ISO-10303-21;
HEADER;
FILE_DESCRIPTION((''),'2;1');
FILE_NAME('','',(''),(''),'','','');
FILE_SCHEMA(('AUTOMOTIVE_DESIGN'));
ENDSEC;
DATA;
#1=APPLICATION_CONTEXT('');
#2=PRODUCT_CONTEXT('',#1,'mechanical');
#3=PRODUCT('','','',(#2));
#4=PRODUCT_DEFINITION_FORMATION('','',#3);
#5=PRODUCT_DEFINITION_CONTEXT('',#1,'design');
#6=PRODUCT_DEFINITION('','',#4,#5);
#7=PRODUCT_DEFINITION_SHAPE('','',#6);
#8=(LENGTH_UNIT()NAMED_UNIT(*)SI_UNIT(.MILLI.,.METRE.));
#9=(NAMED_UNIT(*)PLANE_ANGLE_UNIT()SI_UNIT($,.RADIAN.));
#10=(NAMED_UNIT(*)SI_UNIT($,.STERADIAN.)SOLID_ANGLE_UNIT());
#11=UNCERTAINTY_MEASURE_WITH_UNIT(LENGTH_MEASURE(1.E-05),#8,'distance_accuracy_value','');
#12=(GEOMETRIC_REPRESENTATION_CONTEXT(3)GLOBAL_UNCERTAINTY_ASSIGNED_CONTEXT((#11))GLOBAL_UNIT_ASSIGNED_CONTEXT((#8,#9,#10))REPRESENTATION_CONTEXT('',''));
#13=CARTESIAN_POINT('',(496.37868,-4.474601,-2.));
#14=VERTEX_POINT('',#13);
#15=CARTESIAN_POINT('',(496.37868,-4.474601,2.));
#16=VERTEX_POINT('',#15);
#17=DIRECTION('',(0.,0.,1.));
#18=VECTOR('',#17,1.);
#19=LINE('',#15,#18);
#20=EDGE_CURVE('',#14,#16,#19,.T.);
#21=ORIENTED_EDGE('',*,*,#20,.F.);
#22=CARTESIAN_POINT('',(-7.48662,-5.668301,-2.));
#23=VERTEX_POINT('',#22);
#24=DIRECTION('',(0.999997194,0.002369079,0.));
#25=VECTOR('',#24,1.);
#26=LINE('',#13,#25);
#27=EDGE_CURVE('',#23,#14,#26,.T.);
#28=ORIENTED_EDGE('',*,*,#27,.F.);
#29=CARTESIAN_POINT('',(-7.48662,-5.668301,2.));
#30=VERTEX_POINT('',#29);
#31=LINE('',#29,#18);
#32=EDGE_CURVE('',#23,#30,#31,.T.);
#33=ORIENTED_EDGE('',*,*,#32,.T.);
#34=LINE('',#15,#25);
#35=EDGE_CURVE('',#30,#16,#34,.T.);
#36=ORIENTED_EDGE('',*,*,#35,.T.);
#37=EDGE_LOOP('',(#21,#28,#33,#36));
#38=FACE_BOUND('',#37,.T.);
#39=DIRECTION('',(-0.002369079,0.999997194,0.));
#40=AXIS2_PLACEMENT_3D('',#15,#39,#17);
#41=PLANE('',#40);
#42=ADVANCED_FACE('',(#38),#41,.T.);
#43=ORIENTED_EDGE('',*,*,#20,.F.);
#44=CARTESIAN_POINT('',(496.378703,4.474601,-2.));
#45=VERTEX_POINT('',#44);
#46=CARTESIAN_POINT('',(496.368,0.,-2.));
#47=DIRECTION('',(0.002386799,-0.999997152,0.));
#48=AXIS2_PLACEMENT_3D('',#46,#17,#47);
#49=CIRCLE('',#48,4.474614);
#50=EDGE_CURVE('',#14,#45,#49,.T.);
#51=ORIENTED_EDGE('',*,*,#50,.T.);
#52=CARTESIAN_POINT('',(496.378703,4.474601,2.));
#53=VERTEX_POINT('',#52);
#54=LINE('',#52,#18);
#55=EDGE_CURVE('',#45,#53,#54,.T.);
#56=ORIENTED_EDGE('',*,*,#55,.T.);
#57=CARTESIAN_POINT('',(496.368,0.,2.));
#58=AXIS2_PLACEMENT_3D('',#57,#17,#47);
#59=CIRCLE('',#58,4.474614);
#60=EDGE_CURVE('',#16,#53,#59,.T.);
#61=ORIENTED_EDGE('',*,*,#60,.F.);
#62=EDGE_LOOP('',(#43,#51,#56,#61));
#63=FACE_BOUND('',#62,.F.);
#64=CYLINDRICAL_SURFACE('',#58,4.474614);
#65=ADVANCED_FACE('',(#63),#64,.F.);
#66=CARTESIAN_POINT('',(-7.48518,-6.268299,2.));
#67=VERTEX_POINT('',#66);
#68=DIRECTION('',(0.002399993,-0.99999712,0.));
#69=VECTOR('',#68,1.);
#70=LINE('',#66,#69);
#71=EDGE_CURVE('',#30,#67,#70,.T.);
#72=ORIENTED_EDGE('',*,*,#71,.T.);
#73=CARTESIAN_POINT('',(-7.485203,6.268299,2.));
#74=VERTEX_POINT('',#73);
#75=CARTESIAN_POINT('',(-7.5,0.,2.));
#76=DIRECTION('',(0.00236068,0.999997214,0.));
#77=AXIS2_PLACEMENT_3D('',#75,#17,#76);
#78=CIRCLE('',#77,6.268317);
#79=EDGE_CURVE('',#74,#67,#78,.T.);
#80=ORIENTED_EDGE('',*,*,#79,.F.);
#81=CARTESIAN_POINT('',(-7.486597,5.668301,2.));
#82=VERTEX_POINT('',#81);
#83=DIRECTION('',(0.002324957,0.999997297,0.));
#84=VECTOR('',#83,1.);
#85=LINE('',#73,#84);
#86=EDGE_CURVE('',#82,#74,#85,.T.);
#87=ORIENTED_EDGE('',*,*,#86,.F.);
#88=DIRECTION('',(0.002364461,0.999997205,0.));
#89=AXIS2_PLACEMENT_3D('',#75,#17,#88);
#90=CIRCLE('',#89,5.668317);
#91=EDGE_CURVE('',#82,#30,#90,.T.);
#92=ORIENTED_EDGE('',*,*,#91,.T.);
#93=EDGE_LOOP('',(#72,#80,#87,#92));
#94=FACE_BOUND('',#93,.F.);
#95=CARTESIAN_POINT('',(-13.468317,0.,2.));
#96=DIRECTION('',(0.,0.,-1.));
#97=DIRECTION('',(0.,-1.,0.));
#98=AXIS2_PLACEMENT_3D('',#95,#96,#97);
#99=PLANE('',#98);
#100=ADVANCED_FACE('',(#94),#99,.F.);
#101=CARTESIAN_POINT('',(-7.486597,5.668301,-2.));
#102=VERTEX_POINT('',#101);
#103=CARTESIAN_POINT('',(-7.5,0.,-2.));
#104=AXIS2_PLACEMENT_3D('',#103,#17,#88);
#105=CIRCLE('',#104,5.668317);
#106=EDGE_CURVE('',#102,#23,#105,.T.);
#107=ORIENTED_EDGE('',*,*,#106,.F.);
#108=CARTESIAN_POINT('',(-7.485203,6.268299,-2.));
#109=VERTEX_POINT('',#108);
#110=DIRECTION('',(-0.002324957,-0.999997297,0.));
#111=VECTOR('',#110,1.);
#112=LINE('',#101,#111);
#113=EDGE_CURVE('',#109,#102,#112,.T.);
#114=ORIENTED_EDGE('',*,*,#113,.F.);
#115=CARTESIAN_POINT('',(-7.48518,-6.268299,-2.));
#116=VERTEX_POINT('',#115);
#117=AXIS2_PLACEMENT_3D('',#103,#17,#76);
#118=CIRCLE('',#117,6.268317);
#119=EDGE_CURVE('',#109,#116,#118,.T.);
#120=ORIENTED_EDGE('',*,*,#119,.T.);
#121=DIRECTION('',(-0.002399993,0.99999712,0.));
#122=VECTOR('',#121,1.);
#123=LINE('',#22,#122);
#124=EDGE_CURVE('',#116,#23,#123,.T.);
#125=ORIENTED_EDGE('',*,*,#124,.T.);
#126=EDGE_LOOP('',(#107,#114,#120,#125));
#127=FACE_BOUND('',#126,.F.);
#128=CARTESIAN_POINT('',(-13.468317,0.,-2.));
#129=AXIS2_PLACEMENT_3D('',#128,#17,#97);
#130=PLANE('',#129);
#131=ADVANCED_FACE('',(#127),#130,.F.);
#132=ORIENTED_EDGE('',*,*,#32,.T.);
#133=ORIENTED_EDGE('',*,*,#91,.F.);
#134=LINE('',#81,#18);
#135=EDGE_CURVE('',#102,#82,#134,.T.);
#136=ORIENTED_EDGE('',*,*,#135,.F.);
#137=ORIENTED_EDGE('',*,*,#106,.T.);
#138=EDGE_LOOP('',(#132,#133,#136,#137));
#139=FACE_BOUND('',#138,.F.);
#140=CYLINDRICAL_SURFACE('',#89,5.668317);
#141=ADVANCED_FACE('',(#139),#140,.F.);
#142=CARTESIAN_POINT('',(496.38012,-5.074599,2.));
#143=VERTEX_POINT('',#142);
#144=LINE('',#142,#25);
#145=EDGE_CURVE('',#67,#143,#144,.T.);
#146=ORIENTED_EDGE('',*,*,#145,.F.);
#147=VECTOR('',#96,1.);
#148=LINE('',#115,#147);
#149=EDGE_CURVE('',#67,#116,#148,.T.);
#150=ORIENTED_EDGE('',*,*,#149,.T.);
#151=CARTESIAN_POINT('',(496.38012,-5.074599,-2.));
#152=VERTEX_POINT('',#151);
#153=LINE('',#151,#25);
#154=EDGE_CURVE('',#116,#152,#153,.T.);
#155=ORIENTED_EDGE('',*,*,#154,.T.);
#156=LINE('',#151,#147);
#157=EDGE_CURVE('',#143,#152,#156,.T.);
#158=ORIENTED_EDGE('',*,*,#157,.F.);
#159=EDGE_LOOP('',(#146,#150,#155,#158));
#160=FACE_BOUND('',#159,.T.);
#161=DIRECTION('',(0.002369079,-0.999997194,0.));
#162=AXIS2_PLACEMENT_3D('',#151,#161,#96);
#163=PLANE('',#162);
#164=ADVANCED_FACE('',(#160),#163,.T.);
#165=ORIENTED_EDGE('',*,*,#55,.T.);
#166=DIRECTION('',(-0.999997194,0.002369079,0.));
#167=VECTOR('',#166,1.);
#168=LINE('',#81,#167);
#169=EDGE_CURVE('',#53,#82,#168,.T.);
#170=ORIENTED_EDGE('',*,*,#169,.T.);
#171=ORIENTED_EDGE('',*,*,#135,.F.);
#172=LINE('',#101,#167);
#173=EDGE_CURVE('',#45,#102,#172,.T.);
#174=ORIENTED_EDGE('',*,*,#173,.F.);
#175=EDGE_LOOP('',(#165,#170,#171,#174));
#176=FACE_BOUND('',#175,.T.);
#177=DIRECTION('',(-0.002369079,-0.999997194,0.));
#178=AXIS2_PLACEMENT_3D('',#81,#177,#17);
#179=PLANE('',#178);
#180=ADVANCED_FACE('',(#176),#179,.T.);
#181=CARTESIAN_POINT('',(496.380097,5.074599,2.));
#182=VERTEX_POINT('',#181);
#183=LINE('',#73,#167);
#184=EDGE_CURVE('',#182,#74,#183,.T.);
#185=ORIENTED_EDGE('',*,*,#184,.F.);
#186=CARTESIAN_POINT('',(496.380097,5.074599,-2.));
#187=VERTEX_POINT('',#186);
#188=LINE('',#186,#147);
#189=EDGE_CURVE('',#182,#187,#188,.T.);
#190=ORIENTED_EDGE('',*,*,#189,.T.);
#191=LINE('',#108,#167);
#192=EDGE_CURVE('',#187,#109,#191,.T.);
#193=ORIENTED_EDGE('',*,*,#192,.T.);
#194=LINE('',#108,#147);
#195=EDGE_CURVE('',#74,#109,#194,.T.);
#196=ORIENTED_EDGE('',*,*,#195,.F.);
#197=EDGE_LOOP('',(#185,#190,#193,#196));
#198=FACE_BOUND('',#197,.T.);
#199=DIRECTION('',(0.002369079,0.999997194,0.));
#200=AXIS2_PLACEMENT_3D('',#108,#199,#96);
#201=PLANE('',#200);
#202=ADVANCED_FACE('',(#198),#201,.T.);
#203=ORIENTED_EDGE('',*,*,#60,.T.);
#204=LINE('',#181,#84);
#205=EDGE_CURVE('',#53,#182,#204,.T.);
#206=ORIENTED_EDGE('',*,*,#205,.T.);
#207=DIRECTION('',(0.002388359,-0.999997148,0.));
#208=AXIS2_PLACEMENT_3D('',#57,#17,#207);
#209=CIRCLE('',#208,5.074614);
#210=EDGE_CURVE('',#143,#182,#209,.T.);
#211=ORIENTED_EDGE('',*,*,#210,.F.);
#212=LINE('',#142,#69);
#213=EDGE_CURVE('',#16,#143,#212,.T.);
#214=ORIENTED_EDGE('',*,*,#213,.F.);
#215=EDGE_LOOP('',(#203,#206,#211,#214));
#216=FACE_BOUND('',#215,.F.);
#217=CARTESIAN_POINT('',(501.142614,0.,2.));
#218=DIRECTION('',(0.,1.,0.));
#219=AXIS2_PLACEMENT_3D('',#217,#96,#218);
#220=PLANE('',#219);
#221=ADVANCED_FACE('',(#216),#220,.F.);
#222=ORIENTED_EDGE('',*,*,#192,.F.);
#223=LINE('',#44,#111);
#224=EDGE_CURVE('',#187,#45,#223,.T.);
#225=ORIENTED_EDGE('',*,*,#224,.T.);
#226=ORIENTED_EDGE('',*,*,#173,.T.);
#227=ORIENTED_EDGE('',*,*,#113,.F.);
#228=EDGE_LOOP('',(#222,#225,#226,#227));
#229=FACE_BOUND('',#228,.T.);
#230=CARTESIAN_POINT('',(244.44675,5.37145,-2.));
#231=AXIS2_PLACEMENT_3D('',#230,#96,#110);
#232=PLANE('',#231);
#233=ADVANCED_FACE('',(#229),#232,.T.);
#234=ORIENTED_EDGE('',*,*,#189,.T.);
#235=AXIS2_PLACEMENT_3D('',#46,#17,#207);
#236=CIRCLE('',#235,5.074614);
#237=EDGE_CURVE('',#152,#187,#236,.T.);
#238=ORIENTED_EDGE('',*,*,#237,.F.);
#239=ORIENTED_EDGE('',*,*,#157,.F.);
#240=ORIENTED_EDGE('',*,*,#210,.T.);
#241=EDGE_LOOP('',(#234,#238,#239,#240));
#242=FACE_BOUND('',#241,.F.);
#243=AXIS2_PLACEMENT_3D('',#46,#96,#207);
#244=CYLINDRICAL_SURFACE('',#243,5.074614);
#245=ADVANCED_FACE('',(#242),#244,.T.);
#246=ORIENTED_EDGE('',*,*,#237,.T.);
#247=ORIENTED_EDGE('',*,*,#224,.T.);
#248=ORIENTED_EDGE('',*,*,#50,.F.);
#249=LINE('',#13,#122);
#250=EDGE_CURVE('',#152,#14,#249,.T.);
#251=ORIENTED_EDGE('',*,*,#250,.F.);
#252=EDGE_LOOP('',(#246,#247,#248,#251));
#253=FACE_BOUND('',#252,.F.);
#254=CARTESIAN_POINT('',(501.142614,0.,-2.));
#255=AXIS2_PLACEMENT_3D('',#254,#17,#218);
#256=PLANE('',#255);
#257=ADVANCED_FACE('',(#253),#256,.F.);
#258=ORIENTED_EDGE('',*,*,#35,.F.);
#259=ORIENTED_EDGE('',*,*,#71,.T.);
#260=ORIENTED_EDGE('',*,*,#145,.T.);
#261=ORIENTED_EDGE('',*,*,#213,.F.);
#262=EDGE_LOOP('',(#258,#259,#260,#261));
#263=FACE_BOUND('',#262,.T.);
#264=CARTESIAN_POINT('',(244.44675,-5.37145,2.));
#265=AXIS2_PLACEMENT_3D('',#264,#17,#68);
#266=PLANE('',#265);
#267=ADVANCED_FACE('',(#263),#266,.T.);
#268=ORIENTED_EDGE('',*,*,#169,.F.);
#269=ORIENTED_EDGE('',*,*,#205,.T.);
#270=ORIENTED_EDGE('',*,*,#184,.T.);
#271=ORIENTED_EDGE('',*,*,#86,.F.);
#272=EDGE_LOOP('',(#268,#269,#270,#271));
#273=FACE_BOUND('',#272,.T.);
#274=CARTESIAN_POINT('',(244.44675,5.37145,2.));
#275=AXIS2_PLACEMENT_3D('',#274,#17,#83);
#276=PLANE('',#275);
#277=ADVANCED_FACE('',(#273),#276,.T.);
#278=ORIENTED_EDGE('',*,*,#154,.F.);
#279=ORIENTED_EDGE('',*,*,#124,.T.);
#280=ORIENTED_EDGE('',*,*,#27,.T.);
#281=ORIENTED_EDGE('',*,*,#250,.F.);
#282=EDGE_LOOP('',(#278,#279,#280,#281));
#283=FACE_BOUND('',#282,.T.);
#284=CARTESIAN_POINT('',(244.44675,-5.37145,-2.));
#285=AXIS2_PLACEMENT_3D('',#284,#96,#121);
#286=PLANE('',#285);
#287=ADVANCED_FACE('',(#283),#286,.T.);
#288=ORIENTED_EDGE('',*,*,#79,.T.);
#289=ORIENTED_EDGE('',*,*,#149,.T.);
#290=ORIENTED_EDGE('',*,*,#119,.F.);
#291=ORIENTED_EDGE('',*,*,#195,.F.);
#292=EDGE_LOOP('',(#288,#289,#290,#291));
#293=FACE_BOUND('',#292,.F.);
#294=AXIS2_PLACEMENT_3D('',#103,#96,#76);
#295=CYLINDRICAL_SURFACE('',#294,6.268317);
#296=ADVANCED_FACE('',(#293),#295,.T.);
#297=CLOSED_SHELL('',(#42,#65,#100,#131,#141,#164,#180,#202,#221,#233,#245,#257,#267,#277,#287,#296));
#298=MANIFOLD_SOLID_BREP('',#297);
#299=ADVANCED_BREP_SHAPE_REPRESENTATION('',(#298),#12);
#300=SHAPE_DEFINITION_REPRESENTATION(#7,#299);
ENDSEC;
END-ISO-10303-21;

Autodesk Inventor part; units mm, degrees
sketch "Sketch Path" plane through (0, 0, 0) normal (0, 0, 1) x (1, 0, 0)
  arc A0 (-7.4859, 5.9683) -> (-7.4859, -5.9683) centre (-7.5, 0) ccw
  arc A1 (496.3794, -4.7746) -> (496.3794, 4.7746) centre (496.368, 0) ccw
  line L0 (496.3794, -4.7746) -> (-7.4859, -5.9683)
  line L1 (-7.4859, 5.9683) -> (496.3794, 4.7746)
ref_plane "Cross Section Plane" through (-7.4859, -5.9683, 0) normal (1, 0.0024, 0) x (0, 0, 1)
ref_plane "Work Plane2" through (-7.5, 0, 0) normal (-1, 0, 0) x (0, 0, 1)
ref_plane "Work Plane3" through (496.368, 0, 0) normal (-0.9721, 0.2346, 0) x (0, 0, 1)
sketch "Cross Section" plane through (-7.4859, -5.9683, 0) normal (1, 0.0024, 0) x (0, 0, 1)
  line L0 (-2, 0.3) -> (2, 0.3)
  line L1 (2, 0.3) -> (2, -0.3)
  line L2 (2, -0.3) -> (-2, -0.3)
  line L3 (-2, -0.3) -> (-2, 0.3)
  line L4 (-2, 0) -> (2, 0) construction
  point P0 (0, 0)
  point P1 (0, 0)
  dimension "d0" = 4
  dimension "d4" = 0.3
  dimension "d5" = 0.3
sweep "Belt" add profiles "Cross Section" path "Sketch Path"
equation "\"d0\" = da_B"
equation "\"d4\" = da_a"
equation "\"d5\" = da_a2"
equation "\"da_B\" = 4"
equation "\"da_pb\" = 2.5"
equation "\"da_L\" = 1041.48892"
equation "\"da_a\" = 0.3"
equation "\"da_S\" = 1.5"
equation "\"da_Beta\" = 20deg"
equation "\"da_Ht\" = 0.7"
equation "\"da_H\" = 1.3"
equation "\"da_a2\" = 0.3"
properties part number "Synchronous Belt" material "Rubber"
